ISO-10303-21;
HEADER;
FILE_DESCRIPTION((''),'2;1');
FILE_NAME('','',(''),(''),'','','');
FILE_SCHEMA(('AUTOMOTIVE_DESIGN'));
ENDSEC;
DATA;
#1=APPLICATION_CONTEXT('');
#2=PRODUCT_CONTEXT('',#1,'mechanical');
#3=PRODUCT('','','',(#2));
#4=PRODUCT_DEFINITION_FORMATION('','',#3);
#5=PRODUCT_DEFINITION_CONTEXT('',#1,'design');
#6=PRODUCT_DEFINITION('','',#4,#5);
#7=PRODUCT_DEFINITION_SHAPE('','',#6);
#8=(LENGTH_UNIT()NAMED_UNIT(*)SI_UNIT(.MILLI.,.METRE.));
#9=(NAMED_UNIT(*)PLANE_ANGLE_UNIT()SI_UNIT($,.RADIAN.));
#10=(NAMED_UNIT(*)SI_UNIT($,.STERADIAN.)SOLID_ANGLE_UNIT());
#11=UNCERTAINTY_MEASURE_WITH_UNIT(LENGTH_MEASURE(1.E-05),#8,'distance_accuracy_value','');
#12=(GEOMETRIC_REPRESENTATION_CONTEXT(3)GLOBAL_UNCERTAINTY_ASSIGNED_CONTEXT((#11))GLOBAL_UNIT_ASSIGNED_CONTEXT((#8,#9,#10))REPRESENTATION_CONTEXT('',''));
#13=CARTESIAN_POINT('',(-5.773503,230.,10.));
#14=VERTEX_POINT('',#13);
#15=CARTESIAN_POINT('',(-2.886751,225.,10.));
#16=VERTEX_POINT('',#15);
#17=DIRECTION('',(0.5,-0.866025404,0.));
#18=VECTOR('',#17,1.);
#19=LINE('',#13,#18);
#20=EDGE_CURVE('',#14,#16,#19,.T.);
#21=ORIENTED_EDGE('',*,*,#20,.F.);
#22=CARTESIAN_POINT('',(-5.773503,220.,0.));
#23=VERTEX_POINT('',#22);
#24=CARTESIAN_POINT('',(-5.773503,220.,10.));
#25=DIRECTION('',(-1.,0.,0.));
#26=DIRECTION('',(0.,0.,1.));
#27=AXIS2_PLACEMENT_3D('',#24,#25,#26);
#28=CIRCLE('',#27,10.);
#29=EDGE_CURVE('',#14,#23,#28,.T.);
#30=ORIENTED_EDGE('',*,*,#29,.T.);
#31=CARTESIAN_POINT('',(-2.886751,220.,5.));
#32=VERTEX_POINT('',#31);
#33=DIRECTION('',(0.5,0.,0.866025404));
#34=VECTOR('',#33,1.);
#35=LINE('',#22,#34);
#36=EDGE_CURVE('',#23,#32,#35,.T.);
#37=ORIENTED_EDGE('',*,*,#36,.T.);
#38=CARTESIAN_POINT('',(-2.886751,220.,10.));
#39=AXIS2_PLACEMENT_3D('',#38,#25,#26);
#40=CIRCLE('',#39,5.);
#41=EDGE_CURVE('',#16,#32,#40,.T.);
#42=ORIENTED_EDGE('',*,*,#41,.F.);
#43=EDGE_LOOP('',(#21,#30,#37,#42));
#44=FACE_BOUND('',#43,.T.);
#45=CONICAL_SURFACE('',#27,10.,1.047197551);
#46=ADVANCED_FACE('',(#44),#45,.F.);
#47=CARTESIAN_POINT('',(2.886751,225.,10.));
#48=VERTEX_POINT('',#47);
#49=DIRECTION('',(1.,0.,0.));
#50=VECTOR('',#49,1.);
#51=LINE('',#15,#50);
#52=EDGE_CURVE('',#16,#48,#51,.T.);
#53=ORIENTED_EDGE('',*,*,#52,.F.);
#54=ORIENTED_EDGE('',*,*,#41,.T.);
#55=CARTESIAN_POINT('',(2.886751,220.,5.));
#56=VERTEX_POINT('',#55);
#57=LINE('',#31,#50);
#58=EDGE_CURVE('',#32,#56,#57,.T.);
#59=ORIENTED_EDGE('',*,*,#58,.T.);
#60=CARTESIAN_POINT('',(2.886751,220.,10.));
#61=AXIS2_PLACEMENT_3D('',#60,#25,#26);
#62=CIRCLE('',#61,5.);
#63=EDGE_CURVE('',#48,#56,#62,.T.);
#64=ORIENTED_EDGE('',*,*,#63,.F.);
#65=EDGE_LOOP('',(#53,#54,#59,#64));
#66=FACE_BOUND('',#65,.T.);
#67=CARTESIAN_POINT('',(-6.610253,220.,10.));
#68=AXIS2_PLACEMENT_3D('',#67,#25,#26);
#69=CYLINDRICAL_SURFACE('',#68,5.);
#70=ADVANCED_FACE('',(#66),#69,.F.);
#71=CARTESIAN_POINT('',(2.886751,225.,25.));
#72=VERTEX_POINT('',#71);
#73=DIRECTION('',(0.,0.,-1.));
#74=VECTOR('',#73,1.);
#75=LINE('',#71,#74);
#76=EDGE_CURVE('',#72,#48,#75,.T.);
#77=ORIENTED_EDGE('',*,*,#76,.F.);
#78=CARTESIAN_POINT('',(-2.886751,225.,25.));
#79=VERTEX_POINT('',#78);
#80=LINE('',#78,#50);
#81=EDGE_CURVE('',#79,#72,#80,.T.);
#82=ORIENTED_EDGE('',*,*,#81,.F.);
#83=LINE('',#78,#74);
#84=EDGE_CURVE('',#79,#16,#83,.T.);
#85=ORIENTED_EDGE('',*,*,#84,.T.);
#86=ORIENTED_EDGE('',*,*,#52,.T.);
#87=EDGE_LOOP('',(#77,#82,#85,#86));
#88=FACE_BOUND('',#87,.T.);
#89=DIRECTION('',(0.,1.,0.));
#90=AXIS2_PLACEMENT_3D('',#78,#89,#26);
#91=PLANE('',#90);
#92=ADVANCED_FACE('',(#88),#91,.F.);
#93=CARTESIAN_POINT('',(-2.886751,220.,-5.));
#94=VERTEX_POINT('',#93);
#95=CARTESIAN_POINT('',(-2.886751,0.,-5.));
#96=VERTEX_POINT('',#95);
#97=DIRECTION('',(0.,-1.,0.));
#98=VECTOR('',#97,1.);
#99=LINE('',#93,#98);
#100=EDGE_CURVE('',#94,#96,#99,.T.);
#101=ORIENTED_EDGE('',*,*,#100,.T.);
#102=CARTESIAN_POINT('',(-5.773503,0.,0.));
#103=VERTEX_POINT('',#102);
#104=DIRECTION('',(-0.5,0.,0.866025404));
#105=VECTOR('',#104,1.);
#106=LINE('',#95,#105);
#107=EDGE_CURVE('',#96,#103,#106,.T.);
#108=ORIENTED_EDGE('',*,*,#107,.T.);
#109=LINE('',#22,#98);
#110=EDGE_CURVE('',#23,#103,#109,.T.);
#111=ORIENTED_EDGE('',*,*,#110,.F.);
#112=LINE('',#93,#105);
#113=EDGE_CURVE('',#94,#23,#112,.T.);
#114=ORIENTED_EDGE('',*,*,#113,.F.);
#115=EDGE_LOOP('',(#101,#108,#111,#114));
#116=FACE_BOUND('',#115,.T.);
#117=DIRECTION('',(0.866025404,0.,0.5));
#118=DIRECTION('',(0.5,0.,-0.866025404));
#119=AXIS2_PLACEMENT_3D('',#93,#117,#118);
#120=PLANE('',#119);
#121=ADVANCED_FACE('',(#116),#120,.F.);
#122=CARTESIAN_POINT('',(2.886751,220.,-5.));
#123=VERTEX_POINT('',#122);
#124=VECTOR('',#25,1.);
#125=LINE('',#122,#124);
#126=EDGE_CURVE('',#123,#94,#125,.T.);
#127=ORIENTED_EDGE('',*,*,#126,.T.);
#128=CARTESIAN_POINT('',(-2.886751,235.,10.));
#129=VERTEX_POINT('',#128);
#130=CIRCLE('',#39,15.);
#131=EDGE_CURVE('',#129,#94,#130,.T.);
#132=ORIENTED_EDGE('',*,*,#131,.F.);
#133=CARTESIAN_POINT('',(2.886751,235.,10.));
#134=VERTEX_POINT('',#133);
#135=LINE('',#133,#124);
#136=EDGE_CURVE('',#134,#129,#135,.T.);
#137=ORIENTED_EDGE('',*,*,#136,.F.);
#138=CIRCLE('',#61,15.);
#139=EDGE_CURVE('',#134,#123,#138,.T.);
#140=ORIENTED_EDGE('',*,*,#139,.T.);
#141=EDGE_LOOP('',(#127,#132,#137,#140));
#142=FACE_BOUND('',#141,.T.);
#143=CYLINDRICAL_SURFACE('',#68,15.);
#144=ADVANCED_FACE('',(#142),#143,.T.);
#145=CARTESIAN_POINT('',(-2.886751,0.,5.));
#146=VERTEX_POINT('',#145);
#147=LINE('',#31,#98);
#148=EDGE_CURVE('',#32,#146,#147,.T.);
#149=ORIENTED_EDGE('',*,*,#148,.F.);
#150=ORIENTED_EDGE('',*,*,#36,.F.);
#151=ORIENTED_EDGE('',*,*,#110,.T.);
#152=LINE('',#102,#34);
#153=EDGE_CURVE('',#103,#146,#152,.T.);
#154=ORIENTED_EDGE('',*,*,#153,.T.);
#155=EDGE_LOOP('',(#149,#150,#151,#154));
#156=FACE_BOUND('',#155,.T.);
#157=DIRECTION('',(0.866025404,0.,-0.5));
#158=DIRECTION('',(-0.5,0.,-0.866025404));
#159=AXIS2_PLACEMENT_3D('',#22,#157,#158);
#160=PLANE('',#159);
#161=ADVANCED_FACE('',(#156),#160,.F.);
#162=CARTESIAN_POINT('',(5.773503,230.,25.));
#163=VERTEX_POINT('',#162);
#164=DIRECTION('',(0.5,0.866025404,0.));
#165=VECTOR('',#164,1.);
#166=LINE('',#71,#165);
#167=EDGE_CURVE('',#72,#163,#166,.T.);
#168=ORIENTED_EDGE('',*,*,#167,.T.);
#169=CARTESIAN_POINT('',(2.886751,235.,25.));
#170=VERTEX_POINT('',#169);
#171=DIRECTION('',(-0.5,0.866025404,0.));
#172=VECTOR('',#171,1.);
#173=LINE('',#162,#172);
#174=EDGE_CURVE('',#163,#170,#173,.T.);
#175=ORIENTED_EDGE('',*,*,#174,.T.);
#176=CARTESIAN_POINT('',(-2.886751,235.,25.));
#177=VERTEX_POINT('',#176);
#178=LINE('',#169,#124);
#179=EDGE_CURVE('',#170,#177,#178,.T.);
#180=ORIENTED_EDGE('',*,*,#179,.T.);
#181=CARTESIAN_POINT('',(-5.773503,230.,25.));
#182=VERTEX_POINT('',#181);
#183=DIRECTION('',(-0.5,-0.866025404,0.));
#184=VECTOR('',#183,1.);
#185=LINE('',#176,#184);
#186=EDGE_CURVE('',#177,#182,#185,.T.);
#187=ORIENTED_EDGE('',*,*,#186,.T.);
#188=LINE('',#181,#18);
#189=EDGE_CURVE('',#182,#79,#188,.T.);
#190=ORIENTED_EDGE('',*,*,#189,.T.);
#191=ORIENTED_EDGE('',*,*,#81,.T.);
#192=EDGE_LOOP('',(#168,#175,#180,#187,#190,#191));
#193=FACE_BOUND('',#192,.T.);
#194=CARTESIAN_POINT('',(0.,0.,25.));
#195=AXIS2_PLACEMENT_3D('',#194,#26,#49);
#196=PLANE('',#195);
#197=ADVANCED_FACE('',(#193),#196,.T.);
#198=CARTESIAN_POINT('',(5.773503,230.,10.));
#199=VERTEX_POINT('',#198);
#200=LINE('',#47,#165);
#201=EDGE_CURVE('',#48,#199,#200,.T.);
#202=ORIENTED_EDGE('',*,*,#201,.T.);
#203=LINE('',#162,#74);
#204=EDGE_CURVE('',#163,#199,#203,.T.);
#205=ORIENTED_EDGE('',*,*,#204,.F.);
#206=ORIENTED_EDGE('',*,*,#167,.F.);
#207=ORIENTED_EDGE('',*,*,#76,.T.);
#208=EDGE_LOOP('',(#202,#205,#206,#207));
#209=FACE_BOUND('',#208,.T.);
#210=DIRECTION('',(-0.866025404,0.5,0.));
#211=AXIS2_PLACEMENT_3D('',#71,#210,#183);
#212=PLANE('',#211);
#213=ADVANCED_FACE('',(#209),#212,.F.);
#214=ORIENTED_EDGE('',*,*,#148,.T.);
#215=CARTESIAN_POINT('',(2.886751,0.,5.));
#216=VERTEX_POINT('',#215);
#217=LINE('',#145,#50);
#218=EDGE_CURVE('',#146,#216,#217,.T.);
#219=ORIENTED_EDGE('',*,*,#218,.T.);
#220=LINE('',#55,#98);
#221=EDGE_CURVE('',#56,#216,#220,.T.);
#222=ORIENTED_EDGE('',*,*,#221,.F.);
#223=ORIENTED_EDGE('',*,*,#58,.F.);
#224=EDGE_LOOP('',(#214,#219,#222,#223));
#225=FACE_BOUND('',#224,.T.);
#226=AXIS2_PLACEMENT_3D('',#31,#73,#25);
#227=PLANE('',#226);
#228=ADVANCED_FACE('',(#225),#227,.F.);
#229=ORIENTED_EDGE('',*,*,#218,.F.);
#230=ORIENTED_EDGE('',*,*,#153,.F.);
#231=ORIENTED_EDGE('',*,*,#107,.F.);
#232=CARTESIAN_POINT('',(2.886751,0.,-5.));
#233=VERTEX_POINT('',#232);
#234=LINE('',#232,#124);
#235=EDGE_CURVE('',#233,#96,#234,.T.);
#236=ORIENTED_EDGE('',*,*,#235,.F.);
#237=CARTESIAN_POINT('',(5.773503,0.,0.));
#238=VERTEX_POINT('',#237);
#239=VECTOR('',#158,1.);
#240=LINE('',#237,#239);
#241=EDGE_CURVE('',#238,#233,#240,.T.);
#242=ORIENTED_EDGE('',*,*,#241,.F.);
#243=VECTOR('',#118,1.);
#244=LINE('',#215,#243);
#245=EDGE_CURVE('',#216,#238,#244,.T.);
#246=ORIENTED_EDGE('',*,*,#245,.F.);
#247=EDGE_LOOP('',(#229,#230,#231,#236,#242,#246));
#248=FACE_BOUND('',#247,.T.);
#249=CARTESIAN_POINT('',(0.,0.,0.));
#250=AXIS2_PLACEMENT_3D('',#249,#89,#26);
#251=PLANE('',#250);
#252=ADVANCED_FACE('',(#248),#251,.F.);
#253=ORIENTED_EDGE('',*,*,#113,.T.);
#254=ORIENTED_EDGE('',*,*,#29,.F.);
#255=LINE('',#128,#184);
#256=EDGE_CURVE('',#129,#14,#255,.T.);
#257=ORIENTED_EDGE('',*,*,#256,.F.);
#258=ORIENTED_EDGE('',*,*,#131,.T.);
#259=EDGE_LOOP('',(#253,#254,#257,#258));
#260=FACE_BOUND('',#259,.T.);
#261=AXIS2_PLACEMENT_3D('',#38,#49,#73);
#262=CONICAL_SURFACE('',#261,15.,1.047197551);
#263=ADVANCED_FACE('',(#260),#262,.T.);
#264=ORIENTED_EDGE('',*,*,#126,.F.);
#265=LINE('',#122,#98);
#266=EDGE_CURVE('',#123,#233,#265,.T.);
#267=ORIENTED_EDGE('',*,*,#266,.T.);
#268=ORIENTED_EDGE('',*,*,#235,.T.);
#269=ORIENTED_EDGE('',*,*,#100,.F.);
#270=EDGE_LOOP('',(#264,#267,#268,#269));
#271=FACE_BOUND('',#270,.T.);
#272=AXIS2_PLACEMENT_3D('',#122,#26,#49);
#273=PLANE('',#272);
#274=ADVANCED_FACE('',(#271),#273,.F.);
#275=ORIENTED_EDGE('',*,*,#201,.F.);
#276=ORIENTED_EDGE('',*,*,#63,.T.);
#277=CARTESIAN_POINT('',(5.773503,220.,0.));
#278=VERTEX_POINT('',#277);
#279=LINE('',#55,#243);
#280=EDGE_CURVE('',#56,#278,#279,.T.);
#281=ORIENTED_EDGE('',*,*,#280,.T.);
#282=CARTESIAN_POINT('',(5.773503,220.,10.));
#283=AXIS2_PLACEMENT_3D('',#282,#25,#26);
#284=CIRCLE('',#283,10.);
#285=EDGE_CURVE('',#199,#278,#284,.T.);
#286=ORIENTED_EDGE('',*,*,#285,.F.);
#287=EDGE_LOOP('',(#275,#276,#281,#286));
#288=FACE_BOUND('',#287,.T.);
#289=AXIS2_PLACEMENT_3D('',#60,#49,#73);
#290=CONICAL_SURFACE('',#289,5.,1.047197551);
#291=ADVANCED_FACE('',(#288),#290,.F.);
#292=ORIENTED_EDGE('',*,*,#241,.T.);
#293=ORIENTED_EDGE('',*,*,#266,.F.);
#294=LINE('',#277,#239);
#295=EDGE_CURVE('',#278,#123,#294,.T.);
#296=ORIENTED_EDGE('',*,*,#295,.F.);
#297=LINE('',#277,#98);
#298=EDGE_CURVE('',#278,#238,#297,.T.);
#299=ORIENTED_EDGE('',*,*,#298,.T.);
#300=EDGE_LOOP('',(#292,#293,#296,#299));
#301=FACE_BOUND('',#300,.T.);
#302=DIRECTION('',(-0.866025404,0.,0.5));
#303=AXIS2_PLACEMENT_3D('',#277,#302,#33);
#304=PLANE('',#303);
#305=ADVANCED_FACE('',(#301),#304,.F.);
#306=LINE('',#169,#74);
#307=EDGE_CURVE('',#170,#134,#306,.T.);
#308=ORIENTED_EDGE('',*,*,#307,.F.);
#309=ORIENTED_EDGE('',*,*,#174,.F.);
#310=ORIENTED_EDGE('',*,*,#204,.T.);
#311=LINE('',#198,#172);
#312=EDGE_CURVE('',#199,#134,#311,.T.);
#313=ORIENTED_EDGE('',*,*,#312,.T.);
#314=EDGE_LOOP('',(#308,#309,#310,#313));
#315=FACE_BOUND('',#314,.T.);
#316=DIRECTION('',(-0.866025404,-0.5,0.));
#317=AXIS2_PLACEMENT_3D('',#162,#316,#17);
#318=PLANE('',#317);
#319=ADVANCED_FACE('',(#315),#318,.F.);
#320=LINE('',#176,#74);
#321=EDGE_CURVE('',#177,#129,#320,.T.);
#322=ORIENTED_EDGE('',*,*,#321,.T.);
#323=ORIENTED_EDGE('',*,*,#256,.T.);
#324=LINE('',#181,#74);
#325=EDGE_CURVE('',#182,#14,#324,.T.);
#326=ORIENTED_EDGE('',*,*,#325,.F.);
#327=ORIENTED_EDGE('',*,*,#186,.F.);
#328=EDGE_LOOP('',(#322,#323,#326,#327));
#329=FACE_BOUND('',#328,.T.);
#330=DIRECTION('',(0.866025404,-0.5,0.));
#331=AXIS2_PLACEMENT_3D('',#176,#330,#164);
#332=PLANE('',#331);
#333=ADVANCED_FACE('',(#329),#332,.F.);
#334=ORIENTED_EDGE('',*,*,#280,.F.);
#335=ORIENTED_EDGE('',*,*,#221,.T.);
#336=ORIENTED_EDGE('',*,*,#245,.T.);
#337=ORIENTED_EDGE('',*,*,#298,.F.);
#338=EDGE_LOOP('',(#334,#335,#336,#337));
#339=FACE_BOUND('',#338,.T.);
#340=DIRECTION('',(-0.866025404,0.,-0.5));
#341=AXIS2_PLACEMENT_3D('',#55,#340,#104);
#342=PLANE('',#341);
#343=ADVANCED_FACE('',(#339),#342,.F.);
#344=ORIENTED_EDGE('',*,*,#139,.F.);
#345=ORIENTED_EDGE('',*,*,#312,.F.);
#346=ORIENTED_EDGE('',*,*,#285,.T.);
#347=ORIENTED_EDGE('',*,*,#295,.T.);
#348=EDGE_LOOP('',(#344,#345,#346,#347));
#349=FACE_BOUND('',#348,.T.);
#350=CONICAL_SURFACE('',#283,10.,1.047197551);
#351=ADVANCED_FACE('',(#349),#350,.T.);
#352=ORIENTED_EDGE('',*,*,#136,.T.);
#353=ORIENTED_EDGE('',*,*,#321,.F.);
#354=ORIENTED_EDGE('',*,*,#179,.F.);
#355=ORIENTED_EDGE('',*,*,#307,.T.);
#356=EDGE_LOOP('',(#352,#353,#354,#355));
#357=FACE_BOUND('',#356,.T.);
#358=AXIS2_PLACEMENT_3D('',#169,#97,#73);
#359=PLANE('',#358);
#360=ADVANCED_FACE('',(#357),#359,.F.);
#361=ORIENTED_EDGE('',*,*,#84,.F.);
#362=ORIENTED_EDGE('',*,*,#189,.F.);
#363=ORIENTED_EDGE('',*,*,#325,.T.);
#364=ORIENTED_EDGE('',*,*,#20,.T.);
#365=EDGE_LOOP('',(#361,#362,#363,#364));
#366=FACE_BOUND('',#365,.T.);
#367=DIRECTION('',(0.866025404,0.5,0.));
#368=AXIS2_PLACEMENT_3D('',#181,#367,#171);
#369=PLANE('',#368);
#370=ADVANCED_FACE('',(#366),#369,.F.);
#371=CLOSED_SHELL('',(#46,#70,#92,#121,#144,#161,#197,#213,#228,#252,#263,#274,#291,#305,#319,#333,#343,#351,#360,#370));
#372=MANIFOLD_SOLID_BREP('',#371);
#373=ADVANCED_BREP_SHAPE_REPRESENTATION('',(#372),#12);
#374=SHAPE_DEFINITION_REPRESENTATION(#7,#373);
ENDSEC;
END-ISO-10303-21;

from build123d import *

# Parameters (mm, degrees)
BOSS_EXTRUDE1_DEPTH = 220
REVOLVE1_ANGLE      = 90
BOSS_EXTRUDE2_DEPTH = 15


with BuildPart() as part:
    # Sketch1 → Boss-Extrude1 (new body)
    with BuildSketch(Plane(origin=(0, 0, 0), x_dir=(1, 0, 0), z_dir=(0, 1, 0))):
        Polygon((5.773502692, 0), (2.886751346, 5), (-2.886751346, 5), (-5.773502692, 0), (-2.886751346, -5), (2.886751346, -5), align=None)
    extrude(amount=BOSS_EXTRUDE1_DEPTH)

    # Sketch2 → Revolve1 (revolve)
    with BuildSketch(Plane(origin=(0, 220, 0), x_dir=(1, 0, 0), z_dir=(0, 1, 0))):
        Polygon((-2.886751346, -5), (2.886751346, -5), (5.773502692, 0), (2.886751346, 5), (-2.886751346, 5), (-5.773502692, 0), align=None)
    revolve(axis=Axis((-6.610252502, 220, 10), (1, 0, 0)), revolution_arc=REVOLVE1_ANGLE)

    # Sketch3 → Boss-Extrude2 (add)
    with BuildSketch(Plane.XY.offset(10)):
        Polygon((-5.773502692, 230), (-2.886751346, 225), (2.886751346, 225), (5.773502692, 230), (2.886751346, 235), (-2.886751346, 235), align=None)
    extrude(amount=BOSS_EXTRUDE2_DEPTH)


solid = part.part
